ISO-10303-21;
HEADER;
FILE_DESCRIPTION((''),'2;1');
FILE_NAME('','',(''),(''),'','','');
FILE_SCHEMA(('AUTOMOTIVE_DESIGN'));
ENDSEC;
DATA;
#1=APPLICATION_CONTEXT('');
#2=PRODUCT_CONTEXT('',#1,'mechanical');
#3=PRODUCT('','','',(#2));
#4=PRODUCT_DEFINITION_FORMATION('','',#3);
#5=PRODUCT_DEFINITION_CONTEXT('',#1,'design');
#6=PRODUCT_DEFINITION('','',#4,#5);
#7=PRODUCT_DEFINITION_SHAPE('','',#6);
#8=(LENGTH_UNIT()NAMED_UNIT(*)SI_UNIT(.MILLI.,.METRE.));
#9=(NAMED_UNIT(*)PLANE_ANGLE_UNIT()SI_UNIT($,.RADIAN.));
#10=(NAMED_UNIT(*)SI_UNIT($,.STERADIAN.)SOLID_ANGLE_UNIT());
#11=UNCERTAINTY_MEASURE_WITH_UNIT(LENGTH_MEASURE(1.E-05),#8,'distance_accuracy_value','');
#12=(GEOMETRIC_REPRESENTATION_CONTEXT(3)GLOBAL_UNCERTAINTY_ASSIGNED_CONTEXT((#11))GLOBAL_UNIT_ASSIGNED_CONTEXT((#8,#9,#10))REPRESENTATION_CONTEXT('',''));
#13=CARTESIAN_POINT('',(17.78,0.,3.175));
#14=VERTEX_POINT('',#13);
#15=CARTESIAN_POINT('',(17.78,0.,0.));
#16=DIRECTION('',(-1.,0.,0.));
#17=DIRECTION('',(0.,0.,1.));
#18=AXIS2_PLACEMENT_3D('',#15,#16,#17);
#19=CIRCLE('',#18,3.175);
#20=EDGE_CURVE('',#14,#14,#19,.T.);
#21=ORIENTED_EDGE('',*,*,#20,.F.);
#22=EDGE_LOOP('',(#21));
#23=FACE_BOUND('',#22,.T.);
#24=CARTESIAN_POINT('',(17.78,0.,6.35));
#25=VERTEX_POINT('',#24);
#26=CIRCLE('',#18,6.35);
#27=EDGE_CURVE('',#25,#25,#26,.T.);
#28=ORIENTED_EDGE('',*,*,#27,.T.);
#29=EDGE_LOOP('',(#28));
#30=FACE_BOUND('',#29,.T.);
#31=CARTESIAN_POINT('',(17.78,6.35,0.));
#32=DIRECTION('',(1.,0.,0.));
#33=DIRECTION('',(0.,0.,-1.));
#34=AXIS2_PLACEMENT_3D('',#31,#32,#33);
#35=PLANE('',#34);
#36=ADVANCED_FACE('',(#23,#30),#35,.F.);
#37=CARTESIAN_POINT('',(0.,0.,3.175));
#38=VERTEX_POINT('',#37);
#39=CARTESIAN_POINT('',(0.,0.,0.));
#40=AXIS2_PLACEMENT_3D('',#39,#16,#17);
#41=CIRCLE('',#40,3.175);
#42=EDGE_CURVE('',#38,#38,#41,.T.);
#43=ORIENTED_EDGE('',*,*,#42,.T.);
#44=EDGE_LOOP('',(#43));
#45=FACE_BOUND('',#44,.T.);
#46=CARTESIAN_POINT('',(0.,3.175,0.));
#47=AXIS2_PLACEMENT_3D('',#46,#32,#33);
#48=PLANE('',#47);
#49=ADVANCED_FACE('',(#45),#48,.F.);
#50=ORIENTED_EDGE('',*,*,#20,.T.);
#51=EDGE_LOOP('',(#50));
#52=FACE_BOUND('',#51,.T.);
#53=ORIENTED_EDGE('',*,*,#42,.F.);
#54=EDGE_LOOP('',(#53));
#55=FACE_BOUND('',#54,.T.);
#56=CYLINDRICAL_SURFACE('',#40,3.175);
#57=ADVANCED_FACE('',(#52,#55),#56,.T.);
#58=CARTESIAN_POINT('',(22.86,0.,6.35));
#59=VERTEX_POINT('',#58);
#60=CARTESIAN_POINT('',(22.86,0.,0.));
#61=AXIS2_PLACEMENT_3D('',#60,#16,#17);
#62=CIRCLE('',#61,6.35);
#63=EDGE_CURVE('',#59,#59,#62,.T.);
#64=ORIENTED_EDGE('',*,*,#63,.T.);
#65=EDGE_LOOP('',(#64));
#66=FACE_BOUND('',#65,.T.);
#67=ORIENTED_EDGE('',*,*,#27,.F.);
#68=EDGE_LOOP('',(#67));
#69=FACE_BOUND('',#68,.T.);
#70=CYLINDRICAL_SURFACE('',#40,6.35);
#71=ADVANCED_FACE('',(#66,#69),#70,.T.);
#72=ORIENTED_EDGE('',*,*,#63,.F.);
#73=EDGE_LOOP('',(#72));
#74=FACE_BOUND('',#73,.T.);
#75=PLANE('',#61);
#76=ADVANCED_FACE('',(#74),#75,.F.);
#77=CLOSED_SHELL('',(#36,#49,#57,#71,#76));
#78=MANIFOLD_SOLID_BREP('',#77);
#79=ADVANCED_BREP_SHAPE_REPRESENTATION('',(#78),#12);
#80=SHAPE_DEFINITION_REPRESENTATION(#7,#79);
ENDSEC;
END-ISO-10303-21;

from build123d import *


with BuildPart() as part:
    # Sketch1 → Revolve1 (revolve)
    with BuildSketch(Plane.XY, mode=Mode.PRIVATE) as revolve1_sk:
        Polygon((0, 0), (22.86, 0), (22.86, 6.35), (17.78, 6.35), (17.78, 3.175), (0, 3.175), align=None)
    revolve(revolve1_sk.sketch.rotate(Axis((0, 0, 0), (1, 0, 0)), 90), axis=Axis((0, 0, 0), (1, 0, 0)))


solid = part.part
